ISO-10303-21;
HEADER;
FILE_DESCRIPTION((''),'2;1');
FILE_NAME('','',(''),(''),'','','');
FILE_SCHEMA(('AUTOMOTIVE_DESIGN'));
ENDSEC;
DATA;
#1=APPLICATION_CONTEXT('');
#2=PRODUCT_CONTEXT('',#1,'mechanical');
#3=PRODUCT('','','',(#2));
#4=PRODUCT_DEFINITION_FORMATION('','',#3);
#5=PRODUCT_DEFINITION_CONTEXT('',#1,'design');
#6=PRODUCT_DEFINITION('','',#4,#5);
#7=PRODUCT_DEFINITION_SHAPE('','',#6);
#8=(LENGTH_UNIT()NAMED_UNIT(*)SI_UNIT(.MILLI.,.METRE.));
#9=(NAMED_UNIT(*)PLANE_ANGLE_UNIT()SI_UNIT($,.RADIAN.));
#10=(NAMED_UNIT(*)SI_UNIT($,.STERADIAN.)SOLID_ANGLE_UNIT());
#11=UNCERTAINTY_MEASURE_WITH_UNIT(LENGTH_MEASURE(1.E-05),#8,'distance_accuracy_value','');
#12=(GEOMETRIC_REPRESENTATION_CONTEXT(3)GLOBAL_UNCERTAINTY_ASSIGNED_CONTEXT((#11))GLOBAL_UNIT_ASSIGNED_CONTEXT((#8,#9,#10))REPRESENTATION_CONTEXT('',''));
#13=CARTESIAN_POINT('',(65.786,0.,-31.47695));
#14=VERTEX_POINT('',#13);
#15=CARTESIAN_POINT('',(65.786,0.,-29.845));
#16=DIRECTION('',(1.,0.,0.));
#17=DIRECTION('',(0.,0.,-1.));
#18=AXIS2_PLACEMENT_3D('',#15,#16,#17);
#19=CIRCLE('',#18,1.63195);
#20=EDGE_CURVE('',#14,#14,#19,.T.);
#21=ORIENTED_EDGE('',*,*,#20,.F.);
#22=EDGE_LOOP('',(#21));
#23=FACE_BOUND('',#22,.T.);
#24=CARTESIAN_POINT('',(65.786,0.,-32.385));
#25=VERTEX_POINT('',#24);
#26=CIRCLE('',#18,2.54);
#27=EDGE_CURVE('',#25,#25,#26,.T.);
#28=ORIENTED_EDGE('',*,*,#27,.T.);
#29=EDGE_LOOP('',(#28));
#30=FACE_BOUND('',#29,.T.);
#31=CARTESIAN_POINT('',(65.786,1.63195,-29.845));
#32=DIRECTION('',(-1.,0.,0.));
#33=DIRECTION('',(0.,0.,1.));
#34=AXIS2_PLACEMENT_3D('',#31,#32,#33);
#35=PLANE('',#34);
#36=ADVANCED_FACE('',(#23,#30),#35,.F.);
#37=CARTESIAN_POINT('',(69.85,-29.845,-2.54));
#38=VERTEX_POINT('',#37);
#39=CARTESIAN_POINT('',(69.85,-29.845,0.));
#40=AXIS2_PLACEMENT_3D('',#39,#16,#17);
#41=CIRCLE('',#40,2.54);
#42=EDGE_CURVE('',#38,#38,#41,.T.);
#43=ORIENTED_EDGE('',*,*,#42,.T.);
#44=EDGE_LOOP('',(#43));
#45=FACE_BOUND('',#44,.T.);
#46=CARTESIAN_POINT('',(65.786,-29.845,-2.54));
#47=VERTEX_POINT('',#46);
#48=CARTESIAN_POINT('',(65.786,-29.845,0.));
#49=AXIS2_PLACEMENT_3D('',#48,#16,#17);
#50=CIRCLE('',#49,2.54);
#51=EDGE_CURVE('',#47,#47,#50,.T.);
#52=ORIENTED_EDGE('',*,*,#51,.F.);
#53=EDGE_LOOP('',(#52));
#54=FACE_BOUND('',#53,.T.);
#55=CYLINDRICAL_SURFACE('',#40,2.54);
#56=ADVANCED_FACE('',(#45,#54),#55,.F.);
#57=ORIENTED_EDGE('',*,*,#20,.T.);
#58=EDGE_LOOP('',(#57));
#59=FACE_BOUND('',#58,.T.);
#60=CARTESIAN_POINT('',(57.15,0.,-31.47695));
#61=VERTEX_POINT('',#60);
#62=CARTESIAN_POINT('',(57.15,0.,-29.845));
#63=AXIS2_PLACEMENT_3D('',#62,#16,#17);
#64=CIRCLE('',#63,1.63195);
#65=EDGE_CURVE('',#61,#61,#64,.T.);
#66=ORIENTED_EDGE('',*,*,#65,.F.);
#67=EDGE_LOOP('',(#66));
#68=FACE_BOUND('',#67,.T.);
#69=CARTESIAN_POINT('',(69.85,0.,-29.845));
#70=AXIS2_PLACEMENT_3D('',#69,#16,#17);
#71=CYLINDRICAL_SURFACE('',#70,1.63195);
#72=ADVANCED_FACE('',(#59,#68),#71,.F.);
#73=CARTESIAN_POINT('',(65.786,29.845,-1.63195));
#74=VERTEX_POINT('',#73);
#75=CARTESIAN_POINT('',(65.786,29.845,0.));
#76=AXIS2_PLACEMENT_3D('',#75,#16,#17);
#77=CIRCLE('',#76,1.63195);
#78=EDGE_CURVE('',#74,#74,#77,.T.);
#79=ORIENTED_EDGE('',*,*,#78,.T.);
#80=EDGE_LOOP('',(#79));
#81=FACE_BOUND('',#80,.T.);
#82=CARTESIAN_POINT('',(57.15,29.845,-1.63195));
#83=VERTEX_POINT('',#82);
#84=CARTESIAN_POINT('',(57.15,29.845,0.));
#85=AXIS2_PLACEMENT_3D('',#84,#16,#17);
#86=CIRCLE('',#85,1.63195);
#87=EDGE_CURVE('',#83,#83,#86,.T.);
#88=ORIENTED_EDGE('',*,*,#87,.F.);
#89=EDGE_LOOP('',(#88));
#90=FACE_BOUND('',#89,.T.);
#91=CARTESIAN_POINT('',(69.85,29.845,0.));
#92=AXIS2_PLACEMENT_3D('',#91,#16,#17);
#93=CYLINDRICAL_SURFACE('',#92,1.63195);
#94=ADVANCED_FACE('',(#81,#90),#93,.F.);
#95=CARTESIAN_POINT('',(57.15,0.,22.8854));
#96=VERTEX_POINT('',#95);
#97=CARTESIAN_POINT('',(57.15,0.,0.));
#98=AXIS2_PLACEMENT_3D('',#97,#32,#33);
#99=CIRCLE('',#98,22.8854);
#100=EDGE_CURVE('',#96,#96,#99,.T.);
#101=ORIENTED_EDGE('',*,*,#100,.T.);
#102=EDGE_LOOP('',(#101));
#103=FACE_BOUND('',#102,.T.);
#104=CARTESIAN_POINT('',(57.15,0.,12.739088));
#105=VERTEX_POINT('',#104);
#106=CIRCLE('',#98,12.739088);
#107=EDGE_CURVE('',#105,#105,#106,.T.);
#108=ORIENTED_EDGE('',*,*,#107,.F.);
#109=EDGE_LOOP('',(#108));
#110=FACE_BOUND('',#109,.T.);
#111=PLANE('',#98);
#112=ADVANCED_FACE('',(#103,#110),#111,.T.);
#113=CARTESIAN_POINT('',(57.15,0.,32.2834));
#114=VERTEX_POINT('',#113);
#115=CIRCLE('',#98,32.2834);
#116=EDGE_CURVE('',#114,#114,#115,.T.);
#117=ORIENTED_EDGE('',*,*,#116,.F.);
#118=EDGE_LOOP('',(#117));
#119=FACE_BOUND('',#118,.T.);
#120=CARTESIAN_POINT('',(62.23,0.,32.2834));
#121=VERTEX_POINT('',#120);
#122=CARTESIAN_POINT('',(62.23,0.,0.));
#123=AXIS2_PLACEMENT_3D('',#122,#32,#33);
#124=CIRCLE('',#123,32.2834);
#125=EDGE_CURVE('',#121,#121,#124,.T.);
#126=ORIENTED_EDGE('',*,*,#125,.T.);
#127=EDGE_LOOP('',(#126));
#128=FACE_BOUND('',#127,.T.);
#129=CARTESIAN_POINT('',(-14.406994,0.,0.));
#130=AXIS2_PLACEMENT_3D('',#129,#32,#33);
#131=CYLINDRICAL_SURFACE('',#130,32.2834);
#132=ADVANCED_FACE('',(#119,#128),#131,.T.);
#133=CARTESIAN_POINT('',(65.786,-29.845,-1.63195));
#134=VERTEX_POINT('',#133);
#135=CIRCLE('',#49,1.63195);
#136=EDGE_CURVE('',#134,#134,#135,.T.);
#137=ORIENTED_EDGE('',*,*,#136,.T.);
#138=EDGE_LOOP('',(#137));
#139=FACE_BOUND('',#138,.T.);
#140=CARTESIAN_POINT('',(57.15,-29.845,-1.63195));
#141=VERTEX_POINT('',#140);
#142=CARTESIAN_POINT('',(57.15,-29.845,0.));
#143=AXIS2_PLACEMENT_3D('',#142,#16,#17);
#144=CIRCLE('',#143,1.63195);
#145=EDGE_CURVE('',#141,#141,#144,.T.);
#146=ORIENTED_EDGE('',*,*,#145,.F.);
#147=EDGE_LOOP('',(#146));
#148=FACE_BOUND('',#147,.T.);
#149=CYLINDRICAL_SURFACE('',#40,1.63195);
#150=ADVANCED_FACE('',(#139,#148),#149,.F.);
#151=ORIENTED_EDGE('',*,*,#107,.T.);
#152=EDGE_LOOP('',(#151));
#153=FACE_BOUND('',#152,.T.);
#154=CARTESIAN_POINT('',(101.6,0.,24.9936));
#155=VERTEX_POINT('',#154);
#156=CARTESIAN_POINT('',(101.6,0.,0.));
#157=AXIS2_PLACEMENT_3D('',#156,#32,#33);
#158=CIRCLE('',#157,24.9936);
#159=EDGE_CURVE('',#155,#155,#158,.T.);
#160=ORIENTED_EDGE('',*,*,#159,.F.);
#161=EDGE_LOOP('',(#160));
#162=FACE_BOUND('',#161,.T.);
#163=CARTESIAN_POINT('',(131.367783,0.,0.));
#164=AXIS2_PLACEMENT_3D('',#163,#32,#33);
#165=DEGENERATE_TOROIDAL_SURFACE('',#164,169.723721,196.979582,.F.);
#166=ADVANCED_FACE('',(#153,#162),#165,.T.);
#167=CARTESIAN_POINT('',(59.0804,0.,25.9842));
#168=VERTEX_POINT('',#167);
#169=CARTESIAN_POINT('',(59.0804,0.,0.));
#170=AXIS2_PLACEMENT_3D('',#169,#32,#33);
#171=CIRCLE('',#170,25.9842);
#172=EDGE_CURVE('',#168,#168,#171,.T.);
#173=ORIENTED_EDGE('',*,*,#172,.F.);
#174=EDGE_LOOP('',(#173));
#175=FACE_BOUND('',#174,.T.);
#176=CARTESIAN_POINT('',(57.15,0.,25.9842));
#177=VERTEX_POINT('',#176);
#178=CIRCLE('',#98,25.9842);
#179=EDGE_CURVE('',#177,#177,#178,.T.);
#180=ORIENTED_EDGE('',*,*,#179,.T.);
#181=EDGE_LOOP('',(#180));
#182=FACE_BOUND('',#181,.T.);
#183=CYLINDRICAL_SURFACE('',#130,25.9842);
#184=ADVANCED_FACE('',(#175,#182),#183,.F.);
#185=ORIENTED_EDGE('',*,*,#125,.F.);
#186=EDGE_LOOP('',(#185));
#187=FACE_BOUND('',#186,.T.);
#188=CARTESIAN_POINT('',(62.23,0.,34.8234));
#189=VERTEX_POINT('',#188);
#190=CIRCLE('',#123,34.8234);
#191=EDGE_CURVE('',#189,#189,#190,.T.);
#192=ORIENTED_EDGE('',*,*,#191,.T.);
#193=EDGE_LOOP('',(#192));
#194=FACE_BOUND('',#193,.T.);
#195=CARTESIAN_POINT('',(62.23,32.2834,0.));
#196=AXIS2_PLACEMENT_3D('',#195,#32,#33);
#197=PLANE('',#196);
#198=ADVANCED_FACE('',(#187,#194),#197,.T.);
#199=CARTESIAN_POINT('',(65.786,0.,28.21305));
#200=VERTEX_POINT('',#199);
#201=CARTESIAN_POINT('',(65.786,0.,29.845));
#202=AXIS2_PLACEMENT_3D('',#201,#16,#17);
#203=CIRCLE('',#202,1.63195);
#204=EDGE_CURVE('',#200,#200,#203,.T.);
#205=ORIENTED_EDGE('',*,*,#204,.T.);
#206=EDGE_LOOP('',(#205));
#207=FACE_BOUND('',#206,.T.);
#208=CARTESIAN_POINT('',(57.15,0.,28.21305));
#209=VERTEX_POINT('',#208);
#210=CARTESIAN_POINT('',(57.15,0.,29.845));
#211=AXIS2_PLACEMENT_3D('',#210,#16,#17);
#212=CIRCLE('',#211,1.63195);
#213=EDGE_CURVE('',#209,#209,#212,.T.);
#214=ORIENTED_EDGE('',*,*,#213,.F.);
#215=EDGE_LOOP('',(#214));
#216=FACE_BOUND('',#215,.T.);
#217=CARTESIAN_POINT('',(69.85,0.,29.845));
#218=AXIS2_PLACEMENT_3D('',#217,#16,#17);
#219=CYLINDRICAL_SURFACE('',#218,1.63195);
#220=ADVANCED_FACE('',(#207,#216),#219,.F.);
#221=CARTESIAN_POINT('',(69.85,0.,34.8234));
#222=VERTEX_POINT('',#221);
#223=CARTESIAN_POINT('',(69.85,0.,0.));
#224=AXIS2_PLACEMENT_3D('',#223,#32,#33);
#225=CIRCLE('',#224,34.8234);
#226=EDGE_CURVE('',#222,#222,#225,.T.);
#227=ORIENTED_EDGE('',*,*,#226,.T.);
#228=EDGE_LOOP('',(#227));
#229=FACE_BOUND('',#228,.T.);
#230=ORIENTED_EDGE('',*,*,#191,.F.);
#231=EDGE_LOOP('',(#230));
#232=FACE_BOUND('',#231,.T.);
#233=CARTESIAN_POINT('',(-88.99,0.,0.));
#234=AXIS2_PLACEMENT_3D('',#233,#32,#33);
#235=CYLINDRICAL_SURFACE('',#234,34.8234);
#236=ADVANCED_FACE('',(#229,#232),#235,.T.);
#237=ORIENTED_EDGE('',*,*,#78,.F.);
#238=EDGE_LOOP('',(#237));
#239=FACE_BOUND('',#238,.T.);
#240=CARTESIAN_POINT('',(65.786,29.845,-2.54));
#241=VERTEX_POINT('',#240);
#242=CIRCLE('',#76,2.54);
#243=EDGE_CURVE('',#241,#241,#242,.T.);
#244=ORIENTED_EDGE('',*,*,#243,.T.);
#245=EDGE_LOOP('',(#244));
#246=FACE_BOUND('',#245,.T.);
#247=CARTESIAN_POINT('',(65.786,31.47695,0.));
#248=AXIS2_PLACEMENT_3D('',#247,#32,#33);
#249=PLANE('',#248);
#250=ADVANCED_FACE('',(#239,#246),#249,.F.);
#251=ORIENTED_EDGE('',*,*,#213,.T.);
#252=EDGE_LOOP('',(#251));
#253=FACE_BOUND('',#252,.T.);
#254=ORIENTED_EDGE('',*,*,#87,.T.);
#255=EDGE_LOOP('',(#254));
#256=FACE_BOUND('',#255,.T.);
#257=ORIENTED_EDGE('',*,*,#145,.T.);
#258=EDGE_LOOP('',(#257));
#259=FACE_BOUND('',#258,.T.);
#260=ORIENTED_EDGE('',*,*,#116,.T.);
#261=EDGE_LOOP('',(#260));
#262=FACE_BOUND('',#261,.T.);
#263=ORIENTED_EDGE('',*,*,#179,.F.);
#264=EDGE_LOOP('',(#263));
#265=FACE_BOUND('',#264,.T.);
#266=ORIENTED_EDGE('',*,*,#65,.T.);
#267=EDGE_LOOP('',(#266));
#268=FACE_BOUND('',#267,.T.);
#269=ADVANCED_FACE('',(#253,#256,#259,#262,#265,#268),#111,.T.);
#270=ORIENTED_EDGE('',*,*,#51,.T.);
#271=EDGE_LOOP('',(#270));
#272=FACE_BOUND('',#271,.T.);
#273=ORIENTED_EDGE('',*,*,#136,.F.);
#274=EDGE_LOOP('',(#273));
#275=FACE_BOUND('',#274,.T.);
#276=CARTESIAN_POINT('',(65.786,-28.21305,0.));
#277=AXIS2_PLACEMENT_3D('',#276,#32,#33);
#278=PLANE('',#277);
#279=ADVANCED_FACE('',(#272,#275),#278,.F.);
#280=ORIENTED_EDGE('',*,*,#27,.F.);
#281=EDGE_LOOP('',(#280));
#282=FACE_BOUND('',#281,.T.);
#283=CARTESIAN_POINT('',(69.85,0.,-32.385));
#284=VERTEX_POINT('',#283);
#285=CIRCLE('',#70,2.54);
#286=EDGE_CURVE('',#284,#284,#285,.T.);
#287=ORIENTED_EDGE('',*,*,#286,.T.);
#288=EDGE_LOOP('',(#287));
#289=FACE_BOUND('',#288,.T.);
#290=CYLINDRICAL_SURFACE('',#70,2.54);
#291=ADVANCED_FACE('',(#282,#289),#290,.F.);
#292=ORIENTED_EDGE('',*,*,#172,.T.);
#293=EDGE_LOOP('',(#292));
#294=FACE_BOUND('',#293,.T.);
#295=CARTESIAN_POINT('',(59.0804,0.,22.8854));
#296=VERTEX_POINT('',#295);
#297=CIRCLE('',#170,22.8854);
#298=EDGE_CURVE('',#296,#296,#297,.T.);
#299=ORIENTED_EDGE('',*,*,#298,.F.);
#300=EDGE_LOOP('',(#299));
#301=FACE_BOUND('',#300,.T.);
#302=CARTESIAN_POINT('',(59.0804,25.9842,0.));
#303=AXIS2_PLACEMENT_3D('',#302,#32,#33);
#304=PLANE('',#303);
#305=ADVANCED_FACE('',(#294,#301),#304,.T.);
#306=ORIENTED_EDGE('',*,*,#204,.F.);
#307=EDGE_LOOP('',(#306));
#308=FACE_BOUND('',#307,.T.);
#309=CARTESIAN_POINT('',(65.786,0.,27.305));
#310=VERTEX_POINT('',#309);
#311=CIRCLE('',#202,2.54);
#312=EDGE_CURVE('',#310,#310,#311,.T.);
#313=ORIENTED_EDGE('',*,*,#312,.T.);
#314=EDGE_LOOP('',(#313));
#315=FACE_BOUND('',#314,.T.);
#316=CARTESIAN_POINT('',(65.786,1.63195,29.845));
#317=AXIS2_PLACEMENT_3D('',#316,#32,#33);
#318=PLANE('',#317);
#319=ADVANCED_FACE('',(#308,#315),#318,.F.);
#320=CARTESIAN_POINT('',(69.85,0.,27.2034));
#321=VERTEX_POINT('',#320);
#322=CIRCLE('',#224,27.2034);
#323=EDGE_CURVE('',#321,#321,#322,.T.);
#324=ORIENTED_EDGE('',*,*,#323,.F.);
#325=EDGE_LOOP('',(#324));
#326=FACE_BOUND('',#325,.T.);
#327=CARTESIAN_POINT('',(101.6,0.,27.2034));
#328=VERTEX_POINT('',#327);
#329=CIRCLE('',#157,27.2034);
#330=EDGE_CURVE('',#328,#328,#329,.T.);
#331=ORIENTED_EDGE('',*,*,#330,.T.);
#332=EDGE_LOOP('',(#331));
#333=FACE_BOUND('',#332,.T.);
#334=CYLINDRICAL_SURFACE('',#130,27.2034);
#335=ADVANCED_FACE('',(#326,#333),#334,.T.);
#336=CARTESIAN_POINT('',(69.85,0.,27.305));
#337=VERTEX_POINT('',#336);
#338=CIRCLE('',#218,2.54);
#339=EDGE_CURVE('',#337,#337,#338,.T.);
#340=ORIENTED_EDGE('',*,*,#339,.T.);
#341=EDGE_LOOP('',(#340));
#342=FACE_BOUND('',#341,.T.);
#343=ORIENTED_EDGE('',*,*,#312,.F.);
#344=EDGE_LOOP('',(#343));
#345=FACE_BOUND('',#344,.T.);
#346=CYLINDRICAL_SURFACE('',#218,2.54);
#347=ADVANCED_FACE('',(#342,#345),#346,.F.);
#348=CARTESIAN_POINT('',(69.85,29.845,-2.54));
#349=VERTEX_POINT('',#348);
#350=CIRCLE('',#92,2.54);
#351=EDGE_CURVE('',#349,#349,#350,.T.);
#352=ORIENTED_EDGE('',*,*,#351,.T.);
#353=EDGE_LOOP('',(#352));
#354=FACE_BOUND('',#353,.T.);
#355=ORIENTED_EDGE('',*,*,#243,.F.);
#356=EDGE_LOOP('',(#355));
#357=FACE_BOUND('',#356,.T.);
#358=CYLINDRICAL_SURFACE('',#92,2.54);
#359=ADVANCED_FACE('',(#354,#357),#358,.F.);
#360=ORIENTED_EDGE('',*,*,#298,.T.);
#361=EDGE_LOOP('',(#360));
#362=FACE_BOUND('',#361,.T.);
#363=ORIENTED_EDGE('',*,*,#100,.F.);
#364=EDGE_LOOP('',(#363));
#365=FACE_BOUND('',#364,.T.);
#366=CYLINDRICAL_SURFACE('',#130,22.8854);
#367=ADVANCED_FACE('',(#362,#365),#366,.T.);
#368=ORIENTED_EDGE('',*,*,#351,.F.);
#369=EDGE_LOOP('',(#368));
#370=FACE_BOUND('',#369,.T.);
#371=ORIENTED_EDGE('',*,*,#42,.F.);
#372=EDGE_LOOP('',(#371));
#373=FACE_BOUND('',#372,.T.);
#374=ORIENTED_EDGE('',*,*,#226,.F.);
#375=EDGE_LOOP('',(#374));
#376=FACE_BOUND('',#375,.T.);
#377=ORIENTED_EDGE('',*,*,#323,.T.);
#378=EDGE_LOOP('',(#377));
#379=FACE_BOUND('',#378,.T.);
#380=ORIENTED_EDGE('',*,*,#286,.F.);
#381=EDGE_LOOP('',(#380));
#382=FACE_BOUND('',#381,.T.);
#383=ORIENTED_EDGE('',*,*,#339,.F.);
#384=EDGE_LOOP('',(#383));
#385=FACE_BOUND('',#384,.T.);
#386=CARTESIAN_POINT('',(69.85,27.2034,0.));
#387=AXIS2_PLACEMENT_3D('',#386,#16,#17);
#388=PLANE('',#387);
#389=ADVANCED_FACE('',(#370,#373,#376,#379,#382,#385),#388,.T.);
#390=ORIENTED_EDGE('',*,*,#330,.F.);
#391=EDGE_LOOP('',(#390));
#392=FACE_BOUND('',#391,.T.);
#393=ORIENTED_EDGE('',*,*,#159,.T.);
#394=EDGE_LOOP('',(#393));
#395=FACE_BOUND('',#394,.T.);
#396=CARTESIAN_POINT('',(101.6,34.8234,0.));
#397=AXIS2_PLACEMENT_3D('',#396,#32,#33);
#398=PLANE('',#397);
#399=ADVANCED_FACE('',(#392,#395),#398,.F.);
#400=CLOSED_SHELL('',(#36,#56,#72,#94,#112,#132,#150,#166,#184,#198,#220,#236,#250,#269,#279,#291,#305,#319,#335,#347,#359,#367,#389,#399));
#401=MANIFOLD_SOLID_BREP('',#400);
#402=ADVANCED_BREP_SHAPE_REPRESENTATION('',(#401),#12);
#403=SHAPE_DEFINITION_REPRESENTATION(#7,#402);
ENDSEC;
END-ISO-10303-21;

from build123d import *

# Parameters (mm, degrees)
SKETCH1_W         = 101.6
SKETCH1_H         = 34.8234
SKETCH3_W         = 6.35
SKETCH3_H         = 2.667
SKETCH4_W         = 31.75
SKETCH4_H         = 7.62
HOLE1_D           = 3.2639
HOLE1_CBORE_D     = 5.08
HOLE1_CBORE_DEPTH = 4.064
CIRPATTERN1_COUNT = 4
SKETCH12_W        = 1.9304
SKETCH12_H        = 3.0988


with BuildPart() as part:
    # Sketch1 → Revolve1 (revolve)
    with BuildSketch(Plane.XY, mode=Mode.PRIVATE) as revolve1_sk:
        with Locations((50.8, 17.4117)):
            Rectangle(SKETCH1_W, SKETCH1_H)
    revolve(revolve1_sk.sketch.rotate(Axis((-14.406993702, 0, 0), (1, 0, 0)), 90), axis=Axis((-14.406993702, 0, 0), (1, 0, 0)))

    # Sketch2 → Cut-Revolve1 (revolve, cut)
    with BuildSketch(Plane.XY, mode=Mode.PRIVATE) as cut_revolve1_sk:
        with BuildLine():
            Line((0, 28.4734), (10.16, 28.4734))
            ThreePointArc((10.16, 28.4734), (25.296207294, 24.666285192), (36.83, 14.151033402))
            ThreePointArc((36.83, 14.151033402), (41.000418166, 10.205778874), (46.482, 8.5))
            ThreePointArc((46.482, 8.5), (47.320563586, 8.54516677), (48.120613895, 8.800408672))
            ThreePointArc((48.120613895, 8.800408672), (74.283199164, 18.802951678), (101.6, 24.9936))
            Line((101.6, 24.9936), (101.6, 0))
            Line((101.6, 0), (0, 0))
            Line((0, 0), (0, 28.4734))
        make_face()
    revolve(cut_revolve1_sk.sketch.rotate(Axis((-14.406993702, 0, 0), (1, 0, 0)), 90), axis=Axis((-14.406993702, 0, 0), (1, 0, 0)), mode=Mode.SUBTRACT)

    # Sketch3 → Cut-Revolve2 (revolve, cut)
    with BuildSketch(Plane.XY, mode=Mode.PRIVATE) as cut_revolve2_sk:
        with Locations((3.175, 33.4899)):
            Rectangle(SKETCH3_W, SKETCH3_H)
    revolve(cut_revolve2_sk.sketch.rotate(Axis((-14.406993702, 0, 0), (1, 0, 0)), 90), axis=Axis((-14.406993702, 0, 0), (1, 0, 0)), mode=Mode.SUBTRACT)

    # Sketch4 → Cut-Revolve3 (revolve, cut)
    with BuildSketch(Plane.XY, mode=Mode.PRIVATE) as cut_revolve3_sk:
        with Locations((85.725, 31.0134)):
            Rectangle(SKETCH4_W, SKETCH4_H)
    revolve(cut_revolve3_sk.sketch.rotate(Axis((-14.406993702, 0, 0), (1, 0, 0)), 90), axis=Axis((-14.406993702, 0, 0), (1, 0, 0)), mode=Mode.SUBTRACT)

    # Sketch6 → Cut-Revolve4 (revolve, cut)
    with BuildSketch(Plane.XY, mode=Mode.PRIVATE) as cut_revolve4_sk:
        Polygon((57.15, 0), (57.15, 32.2834), (62.23, 32.2834), (62.23, 34.8234), (0, 34.8234), (0, 0), align=None)
    revolve(cut_revolve4_sk.sketch.rotate(Axis((-14.406993702, 0, 0), (1, 0, 0)), 90), axis=Axis((-14.406993702, 0, 0), (1, 0, 0)), mode=Mode.SUBTRACT)

    # Hole1 (through all)
    with Locations(Plane(origin=(69.85, 0, 0), x_dir=(0, 0, -1), z_dir=(1, 0, 0))):
        with Locations((0, 29.845)):
            hole1 = CounterBoreHole(HOLE1_D / 2, HOLE1_CBORE_D / 2, HOLE1_CBORE_DEPTH)

    # CirPattern1: Hole1 ×4 about axis
    cirpattern1_axis = Axis((0, 0, 0), (1, 0, 0))
    for i in range(1, CIRPATTERN1_COUNT):
        add(hole1.rotate(cirpattern1_axis, i * 360 / CIRPATTERN1_COUNT), mode=Mode.SUBTRACT)

    # Sketch12 → Cut-Revolve7 (revolve, cut)
    with BuildSketch(Plane.XY, mode=Mode.PRIVATE) as cut_revolve7_sk:
        with Locations((58.1152, 24.4348)):
            Rectangle(SKETCH12_W, SKETCH12_H)
    revolve(cut_revolve7_sk.sketch.rotate(Axis((-14.406993702, 0, 0), (1, 0, 0)), 90), axis=Axis((-14.406993702, 0, 0), (1, 0, 0)), mode=Mode.SUBTRACT)


solid = part.part
